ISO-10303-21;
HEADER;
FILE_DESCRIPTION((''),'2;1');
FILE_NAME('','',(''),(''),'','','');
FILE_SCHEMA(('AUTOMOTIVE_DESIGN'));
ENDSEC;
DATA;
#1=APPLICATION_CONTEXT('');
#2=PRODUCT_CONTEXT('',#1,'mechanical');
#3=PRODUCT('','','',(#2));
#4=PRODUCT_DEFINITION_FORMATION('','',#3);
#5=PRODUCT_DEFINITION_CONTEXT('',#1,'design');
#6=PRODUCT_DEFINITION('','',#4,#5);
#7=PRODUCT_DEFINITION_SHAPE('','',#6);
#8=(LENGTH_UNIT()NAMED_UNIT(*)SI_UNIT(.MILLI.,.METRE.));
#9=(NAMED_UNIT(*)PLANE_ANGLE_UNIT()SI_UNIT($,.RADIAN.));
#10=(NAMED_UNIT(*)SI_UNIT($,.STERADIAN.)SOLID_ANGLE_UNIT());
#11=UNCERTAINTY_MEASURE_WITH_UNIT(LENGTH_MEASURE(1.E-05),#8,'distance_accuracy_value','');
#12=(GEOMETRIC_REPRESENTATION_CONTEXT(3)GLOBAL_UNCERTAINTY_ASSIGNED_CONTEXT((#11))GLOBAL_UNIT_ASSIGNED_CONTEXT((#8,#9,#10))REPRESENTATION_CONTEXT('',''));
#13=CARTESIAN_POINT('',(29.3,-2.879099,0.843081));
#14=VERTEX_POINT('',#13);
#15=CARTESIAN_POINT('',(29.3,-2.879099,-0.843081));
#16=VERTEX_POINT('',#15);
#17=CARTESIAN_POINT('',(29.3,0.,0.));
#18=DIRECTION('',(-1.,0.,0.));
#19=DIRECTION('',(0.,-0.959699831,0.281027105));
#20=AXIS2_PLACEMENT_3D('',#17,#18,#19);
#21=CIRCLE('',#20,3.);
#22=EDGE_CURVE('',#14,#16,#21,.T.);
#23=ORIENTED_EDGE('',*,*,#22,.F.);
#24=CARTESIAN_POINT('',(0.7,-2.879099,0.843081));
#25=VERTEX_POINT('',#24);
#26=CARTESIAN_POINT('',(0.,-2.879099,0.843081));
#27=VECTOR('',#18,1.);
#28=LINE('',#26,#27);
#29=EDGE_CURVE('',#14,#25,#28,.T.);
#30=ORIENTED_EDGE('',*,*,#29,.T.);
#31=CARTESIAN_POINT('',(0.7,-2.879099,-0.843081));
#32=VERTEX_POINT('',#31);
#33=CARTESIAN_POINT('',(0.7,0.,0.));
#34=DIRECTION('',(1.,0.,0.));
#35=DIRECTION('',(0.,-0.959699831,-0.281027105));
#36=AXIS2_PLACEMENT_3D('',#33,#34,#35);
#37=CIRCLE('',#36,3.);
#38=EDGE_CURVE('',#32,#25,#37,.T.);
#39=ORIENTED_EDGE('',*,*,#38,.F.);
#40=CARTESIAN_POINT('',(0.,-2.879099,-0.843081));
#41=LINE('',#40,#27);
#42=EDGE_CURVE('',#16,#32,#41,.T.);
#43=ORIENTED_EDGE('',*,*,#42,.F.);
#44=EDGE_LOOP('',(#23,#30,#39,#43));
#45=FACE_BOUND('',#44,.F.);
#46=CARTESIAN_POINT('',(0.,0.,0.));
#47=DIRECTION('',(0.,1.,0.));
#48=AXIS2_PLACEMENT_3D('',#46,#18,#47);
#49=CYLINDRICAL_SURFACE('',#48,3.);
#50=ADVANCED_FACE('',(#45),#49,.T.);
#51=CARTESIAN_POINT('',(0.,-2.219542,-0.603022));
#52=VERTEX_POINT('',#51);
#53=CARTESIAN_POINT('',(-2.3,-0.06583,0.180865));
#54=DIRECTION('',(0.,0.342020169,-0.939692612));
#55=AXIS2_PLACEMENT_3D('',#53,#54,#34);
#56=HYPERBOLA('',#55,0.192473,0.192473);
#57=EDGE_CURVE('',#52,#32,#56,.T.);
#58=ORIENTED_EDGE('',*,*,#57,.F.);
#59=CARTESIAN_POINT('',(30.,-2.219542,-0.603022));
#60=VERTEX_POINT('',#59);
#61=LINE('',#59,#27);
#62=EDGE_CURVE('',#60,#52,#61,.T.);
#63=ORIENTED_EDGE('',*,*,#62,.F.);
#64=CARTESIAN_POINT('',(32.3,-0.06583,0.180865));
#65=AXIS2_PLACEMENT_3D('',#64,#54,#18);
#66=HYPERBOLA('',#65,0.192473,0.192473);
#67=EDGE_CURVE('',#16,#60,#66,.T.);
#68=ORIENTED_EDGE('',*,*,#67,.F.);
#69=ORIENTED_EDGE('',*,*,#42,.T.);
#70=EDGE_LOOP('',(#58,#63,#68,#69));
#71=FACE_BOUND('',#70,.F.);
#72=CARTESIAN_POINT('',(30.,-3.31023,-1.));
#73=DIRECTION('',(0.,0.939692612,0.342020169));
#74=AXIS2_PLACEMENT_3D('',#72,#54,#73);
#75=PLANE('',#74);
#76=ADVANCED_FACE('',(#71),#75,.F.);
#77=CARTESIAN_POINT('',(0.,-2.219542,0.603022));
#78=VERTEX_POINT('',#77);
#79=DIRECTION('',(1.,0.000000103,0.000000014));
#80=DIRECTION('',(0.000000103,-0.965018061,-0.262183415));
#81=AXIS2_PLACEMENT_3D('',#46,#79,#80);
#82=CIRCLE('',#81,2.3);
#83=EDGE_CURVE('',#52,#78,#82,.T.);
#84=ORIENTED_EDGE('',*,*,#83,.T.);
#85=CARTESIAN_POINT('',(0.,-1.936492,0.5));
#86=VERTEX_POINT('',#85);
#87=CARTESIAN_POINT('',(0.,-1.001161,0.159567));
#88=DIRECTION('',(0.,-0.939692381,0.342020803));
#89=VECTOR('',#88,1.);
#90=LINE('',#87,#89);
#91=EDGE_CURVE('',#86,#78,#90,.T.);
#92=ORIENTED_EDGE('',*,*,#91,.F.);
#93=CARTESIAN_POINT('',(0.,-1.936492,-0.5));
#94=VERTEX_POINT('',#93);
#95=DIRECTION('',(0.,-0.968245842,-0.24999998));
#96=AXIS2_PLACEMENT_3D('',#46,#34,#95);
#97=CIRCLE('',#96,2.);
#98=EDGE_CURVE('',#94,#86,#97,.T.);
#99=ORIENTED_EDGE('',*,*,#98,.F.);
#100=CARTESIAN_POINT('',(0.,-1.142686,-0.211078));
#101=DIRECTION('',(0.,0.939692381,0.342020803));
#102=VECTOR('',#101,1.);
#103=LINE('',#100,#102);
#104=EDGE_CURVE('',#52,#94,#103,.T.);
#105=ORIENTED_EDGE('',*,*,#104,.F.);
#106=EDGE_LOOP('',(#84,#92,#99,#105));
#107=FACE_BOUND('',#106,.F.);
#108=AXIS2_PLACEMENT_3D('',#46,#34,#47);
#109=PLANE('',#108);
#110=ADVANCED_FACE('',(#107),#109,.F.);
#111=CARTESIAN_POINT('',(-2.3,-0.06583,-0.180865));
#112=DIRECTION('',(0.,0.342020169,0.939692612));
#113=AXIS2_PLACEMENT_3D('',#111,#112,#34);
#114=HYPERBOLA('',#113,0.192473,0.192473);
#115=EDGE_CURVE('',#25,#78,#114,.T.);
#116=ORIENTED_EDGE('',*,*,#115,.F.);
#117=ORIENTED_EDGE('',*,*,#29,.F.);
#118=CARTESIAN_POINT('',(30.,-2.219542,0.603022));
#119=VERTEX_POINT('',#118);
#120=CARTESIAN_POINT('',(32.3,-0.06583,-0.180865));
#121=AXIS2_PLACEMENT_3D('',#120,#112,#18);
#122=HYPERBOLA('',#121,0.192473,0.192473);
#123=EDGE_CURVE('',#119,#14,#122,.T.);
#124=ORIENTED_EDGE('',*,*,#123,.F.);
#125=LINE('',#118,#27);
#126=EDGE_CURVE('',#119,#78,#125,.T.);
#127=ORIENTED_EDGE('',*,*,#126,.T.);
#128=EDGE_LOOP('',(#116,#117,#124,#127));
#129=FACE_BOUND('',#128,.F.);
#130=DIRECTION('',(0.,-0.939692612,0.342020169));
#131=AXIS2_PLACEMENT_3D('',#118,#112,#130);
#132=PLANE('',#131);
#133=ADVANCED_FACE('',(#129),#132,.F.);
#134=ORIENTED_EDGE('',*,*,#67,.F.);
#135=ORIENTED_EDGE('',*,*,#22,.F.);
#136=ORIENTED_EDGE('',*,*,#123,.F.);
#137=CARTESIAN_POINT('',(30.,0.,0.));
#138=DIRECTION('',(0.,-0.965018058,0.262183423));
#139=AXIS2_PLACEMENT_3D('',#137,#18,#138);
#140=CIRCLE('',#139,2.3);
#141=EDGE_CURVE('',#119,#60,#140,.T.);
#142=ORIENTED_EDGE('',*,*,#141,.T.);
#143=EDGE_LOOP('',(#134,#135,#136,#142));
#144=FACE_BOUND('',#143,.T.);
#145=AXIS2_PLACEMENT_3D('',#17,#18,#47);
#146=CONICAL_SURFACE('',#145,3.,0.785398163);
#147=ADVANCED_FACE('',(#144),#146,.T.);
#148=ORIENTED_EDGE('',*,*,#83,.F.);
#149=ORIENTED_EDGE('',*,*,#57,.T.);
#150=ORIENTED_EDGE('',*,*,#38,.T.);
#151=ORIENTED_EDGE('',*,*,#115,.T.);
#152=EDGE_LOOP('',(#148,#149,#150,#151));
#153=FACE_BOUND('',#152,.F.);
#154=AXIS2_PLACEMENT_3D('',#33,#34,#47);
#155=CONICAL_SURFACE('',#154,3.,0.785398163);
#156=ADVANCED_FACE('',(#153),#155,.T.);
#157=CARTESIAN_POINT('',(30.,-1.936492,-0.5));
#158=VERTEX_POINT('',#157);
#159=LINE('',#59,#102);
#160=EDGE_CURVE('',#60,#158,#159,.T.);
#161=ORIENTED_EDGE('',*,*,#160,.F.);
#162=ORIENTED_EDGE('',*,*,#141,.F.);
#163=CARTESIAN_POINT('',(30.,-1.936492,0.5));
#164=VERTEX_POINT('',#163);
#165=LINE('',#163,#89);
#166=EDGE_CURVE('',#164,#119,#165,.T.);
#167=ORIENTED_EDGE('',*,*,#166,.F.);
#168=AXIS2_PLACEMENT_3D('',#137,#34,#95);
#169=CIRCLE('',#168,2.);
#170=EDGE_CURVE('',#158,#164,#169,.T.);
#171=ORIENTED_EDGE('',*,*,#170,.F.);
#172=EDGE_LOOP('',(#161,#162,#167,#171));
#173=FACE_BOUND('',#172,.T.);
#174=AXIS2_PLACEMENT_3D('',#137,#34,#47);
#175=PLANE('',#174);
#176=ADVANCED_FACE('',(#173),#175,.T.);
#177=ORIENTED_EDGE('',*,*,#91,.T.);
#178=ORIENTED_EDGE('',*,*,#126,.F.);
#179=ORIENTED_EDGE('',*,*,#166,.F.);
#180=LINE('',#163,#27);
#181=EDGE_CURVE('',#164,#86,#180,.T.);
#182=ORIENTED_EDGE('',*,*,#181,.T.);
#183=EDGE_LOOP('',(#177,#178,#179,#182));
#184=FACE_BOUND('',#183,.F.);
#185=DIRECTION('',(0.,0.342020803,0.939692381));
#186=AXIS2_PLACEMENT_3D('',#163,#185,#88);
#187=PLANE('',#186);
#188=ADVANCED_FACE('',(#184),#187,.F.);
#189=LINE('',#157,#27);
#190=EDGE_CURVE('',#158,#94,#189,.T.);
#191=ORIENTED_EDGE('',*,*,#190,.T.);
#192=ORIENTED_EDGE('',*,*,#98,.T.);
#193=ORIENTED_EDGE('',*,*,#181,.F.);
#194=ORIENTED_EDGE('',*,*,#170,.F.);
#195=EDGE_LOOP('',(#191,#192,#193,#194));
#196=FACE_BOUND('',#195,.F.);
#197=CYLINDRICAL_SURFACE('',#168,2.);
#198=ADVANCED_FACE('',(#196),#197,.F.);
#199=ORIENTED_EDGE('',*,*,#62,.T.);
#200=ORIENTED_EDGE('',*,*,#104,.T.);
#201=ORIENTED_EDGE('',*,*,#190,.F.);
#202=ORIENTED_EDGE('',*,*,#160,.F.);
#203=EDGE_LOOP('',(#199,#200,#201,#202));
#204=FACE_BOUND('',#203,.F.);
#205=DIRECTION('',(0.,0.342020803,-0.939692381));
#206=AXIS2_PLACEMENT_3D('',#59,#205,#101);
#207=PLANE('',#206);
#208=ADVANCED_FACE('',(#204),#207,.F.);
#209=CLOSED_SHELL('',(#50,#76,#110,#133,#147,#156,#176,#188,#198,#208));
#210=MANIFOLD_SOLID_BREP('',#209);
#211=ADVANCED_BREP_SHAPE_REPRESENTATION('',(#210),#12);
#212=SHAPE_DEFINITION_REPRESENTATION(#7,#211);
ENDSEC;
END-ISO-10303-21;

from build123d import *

# Parameters (mm, degrees)
F0_R     = 3
F1_DEPTH = 30
F2_SIZE  = 0.7
F4_DEPTH = 31


with BuildPart() as f1:
    # F0 (on Right) → F1 (new body)
    with BuildSketch(Plane.YZ):
        Circle(F0_R)
    extrude(amount=F1_DEPTH)

    # F2
    f2_edges = [f1.edges().sort_by_distance(p)[0] for p in [
        (30, -3, 0),
        (0, -3, 0),
    ]]
    chamfer(f2_edges, length=F2_SIZE)

    # F3 (on face) → F4 (cut)
    with BuildSketch(Plane.YZ.offset(30)):
        with BuildLine():
            Line((-3.31023, -1), (-2.219542, -0.603022))
            ThreePointArc((-2.219542, -0.603022), (-2.3, 0), (-2.219542, 0.603022))
            Line((-2.219542, 0.603022), (-3.31023, 1))
            Line((-3.31023, 1), (-3.31023, -1))
        make_face()
        with BuildLine():
            Line((-2.219542, -0.603022), (-1.936492, -0.5))
            ThreePointArc((-1.936492, -0.5), (2, 0), (-1.936492, 0.5))
            Line((-1.936492, 0.5), (-2.219542, 0.603022))
            ThreePointArc((-2.219542, 0.603022), (-2.3, 0), (-2.219542, -0.603022))
        make_face()
    extrude(amount=-F4_DEPTH, mode=Mode.SUBTRACT)


solid = f1.part
